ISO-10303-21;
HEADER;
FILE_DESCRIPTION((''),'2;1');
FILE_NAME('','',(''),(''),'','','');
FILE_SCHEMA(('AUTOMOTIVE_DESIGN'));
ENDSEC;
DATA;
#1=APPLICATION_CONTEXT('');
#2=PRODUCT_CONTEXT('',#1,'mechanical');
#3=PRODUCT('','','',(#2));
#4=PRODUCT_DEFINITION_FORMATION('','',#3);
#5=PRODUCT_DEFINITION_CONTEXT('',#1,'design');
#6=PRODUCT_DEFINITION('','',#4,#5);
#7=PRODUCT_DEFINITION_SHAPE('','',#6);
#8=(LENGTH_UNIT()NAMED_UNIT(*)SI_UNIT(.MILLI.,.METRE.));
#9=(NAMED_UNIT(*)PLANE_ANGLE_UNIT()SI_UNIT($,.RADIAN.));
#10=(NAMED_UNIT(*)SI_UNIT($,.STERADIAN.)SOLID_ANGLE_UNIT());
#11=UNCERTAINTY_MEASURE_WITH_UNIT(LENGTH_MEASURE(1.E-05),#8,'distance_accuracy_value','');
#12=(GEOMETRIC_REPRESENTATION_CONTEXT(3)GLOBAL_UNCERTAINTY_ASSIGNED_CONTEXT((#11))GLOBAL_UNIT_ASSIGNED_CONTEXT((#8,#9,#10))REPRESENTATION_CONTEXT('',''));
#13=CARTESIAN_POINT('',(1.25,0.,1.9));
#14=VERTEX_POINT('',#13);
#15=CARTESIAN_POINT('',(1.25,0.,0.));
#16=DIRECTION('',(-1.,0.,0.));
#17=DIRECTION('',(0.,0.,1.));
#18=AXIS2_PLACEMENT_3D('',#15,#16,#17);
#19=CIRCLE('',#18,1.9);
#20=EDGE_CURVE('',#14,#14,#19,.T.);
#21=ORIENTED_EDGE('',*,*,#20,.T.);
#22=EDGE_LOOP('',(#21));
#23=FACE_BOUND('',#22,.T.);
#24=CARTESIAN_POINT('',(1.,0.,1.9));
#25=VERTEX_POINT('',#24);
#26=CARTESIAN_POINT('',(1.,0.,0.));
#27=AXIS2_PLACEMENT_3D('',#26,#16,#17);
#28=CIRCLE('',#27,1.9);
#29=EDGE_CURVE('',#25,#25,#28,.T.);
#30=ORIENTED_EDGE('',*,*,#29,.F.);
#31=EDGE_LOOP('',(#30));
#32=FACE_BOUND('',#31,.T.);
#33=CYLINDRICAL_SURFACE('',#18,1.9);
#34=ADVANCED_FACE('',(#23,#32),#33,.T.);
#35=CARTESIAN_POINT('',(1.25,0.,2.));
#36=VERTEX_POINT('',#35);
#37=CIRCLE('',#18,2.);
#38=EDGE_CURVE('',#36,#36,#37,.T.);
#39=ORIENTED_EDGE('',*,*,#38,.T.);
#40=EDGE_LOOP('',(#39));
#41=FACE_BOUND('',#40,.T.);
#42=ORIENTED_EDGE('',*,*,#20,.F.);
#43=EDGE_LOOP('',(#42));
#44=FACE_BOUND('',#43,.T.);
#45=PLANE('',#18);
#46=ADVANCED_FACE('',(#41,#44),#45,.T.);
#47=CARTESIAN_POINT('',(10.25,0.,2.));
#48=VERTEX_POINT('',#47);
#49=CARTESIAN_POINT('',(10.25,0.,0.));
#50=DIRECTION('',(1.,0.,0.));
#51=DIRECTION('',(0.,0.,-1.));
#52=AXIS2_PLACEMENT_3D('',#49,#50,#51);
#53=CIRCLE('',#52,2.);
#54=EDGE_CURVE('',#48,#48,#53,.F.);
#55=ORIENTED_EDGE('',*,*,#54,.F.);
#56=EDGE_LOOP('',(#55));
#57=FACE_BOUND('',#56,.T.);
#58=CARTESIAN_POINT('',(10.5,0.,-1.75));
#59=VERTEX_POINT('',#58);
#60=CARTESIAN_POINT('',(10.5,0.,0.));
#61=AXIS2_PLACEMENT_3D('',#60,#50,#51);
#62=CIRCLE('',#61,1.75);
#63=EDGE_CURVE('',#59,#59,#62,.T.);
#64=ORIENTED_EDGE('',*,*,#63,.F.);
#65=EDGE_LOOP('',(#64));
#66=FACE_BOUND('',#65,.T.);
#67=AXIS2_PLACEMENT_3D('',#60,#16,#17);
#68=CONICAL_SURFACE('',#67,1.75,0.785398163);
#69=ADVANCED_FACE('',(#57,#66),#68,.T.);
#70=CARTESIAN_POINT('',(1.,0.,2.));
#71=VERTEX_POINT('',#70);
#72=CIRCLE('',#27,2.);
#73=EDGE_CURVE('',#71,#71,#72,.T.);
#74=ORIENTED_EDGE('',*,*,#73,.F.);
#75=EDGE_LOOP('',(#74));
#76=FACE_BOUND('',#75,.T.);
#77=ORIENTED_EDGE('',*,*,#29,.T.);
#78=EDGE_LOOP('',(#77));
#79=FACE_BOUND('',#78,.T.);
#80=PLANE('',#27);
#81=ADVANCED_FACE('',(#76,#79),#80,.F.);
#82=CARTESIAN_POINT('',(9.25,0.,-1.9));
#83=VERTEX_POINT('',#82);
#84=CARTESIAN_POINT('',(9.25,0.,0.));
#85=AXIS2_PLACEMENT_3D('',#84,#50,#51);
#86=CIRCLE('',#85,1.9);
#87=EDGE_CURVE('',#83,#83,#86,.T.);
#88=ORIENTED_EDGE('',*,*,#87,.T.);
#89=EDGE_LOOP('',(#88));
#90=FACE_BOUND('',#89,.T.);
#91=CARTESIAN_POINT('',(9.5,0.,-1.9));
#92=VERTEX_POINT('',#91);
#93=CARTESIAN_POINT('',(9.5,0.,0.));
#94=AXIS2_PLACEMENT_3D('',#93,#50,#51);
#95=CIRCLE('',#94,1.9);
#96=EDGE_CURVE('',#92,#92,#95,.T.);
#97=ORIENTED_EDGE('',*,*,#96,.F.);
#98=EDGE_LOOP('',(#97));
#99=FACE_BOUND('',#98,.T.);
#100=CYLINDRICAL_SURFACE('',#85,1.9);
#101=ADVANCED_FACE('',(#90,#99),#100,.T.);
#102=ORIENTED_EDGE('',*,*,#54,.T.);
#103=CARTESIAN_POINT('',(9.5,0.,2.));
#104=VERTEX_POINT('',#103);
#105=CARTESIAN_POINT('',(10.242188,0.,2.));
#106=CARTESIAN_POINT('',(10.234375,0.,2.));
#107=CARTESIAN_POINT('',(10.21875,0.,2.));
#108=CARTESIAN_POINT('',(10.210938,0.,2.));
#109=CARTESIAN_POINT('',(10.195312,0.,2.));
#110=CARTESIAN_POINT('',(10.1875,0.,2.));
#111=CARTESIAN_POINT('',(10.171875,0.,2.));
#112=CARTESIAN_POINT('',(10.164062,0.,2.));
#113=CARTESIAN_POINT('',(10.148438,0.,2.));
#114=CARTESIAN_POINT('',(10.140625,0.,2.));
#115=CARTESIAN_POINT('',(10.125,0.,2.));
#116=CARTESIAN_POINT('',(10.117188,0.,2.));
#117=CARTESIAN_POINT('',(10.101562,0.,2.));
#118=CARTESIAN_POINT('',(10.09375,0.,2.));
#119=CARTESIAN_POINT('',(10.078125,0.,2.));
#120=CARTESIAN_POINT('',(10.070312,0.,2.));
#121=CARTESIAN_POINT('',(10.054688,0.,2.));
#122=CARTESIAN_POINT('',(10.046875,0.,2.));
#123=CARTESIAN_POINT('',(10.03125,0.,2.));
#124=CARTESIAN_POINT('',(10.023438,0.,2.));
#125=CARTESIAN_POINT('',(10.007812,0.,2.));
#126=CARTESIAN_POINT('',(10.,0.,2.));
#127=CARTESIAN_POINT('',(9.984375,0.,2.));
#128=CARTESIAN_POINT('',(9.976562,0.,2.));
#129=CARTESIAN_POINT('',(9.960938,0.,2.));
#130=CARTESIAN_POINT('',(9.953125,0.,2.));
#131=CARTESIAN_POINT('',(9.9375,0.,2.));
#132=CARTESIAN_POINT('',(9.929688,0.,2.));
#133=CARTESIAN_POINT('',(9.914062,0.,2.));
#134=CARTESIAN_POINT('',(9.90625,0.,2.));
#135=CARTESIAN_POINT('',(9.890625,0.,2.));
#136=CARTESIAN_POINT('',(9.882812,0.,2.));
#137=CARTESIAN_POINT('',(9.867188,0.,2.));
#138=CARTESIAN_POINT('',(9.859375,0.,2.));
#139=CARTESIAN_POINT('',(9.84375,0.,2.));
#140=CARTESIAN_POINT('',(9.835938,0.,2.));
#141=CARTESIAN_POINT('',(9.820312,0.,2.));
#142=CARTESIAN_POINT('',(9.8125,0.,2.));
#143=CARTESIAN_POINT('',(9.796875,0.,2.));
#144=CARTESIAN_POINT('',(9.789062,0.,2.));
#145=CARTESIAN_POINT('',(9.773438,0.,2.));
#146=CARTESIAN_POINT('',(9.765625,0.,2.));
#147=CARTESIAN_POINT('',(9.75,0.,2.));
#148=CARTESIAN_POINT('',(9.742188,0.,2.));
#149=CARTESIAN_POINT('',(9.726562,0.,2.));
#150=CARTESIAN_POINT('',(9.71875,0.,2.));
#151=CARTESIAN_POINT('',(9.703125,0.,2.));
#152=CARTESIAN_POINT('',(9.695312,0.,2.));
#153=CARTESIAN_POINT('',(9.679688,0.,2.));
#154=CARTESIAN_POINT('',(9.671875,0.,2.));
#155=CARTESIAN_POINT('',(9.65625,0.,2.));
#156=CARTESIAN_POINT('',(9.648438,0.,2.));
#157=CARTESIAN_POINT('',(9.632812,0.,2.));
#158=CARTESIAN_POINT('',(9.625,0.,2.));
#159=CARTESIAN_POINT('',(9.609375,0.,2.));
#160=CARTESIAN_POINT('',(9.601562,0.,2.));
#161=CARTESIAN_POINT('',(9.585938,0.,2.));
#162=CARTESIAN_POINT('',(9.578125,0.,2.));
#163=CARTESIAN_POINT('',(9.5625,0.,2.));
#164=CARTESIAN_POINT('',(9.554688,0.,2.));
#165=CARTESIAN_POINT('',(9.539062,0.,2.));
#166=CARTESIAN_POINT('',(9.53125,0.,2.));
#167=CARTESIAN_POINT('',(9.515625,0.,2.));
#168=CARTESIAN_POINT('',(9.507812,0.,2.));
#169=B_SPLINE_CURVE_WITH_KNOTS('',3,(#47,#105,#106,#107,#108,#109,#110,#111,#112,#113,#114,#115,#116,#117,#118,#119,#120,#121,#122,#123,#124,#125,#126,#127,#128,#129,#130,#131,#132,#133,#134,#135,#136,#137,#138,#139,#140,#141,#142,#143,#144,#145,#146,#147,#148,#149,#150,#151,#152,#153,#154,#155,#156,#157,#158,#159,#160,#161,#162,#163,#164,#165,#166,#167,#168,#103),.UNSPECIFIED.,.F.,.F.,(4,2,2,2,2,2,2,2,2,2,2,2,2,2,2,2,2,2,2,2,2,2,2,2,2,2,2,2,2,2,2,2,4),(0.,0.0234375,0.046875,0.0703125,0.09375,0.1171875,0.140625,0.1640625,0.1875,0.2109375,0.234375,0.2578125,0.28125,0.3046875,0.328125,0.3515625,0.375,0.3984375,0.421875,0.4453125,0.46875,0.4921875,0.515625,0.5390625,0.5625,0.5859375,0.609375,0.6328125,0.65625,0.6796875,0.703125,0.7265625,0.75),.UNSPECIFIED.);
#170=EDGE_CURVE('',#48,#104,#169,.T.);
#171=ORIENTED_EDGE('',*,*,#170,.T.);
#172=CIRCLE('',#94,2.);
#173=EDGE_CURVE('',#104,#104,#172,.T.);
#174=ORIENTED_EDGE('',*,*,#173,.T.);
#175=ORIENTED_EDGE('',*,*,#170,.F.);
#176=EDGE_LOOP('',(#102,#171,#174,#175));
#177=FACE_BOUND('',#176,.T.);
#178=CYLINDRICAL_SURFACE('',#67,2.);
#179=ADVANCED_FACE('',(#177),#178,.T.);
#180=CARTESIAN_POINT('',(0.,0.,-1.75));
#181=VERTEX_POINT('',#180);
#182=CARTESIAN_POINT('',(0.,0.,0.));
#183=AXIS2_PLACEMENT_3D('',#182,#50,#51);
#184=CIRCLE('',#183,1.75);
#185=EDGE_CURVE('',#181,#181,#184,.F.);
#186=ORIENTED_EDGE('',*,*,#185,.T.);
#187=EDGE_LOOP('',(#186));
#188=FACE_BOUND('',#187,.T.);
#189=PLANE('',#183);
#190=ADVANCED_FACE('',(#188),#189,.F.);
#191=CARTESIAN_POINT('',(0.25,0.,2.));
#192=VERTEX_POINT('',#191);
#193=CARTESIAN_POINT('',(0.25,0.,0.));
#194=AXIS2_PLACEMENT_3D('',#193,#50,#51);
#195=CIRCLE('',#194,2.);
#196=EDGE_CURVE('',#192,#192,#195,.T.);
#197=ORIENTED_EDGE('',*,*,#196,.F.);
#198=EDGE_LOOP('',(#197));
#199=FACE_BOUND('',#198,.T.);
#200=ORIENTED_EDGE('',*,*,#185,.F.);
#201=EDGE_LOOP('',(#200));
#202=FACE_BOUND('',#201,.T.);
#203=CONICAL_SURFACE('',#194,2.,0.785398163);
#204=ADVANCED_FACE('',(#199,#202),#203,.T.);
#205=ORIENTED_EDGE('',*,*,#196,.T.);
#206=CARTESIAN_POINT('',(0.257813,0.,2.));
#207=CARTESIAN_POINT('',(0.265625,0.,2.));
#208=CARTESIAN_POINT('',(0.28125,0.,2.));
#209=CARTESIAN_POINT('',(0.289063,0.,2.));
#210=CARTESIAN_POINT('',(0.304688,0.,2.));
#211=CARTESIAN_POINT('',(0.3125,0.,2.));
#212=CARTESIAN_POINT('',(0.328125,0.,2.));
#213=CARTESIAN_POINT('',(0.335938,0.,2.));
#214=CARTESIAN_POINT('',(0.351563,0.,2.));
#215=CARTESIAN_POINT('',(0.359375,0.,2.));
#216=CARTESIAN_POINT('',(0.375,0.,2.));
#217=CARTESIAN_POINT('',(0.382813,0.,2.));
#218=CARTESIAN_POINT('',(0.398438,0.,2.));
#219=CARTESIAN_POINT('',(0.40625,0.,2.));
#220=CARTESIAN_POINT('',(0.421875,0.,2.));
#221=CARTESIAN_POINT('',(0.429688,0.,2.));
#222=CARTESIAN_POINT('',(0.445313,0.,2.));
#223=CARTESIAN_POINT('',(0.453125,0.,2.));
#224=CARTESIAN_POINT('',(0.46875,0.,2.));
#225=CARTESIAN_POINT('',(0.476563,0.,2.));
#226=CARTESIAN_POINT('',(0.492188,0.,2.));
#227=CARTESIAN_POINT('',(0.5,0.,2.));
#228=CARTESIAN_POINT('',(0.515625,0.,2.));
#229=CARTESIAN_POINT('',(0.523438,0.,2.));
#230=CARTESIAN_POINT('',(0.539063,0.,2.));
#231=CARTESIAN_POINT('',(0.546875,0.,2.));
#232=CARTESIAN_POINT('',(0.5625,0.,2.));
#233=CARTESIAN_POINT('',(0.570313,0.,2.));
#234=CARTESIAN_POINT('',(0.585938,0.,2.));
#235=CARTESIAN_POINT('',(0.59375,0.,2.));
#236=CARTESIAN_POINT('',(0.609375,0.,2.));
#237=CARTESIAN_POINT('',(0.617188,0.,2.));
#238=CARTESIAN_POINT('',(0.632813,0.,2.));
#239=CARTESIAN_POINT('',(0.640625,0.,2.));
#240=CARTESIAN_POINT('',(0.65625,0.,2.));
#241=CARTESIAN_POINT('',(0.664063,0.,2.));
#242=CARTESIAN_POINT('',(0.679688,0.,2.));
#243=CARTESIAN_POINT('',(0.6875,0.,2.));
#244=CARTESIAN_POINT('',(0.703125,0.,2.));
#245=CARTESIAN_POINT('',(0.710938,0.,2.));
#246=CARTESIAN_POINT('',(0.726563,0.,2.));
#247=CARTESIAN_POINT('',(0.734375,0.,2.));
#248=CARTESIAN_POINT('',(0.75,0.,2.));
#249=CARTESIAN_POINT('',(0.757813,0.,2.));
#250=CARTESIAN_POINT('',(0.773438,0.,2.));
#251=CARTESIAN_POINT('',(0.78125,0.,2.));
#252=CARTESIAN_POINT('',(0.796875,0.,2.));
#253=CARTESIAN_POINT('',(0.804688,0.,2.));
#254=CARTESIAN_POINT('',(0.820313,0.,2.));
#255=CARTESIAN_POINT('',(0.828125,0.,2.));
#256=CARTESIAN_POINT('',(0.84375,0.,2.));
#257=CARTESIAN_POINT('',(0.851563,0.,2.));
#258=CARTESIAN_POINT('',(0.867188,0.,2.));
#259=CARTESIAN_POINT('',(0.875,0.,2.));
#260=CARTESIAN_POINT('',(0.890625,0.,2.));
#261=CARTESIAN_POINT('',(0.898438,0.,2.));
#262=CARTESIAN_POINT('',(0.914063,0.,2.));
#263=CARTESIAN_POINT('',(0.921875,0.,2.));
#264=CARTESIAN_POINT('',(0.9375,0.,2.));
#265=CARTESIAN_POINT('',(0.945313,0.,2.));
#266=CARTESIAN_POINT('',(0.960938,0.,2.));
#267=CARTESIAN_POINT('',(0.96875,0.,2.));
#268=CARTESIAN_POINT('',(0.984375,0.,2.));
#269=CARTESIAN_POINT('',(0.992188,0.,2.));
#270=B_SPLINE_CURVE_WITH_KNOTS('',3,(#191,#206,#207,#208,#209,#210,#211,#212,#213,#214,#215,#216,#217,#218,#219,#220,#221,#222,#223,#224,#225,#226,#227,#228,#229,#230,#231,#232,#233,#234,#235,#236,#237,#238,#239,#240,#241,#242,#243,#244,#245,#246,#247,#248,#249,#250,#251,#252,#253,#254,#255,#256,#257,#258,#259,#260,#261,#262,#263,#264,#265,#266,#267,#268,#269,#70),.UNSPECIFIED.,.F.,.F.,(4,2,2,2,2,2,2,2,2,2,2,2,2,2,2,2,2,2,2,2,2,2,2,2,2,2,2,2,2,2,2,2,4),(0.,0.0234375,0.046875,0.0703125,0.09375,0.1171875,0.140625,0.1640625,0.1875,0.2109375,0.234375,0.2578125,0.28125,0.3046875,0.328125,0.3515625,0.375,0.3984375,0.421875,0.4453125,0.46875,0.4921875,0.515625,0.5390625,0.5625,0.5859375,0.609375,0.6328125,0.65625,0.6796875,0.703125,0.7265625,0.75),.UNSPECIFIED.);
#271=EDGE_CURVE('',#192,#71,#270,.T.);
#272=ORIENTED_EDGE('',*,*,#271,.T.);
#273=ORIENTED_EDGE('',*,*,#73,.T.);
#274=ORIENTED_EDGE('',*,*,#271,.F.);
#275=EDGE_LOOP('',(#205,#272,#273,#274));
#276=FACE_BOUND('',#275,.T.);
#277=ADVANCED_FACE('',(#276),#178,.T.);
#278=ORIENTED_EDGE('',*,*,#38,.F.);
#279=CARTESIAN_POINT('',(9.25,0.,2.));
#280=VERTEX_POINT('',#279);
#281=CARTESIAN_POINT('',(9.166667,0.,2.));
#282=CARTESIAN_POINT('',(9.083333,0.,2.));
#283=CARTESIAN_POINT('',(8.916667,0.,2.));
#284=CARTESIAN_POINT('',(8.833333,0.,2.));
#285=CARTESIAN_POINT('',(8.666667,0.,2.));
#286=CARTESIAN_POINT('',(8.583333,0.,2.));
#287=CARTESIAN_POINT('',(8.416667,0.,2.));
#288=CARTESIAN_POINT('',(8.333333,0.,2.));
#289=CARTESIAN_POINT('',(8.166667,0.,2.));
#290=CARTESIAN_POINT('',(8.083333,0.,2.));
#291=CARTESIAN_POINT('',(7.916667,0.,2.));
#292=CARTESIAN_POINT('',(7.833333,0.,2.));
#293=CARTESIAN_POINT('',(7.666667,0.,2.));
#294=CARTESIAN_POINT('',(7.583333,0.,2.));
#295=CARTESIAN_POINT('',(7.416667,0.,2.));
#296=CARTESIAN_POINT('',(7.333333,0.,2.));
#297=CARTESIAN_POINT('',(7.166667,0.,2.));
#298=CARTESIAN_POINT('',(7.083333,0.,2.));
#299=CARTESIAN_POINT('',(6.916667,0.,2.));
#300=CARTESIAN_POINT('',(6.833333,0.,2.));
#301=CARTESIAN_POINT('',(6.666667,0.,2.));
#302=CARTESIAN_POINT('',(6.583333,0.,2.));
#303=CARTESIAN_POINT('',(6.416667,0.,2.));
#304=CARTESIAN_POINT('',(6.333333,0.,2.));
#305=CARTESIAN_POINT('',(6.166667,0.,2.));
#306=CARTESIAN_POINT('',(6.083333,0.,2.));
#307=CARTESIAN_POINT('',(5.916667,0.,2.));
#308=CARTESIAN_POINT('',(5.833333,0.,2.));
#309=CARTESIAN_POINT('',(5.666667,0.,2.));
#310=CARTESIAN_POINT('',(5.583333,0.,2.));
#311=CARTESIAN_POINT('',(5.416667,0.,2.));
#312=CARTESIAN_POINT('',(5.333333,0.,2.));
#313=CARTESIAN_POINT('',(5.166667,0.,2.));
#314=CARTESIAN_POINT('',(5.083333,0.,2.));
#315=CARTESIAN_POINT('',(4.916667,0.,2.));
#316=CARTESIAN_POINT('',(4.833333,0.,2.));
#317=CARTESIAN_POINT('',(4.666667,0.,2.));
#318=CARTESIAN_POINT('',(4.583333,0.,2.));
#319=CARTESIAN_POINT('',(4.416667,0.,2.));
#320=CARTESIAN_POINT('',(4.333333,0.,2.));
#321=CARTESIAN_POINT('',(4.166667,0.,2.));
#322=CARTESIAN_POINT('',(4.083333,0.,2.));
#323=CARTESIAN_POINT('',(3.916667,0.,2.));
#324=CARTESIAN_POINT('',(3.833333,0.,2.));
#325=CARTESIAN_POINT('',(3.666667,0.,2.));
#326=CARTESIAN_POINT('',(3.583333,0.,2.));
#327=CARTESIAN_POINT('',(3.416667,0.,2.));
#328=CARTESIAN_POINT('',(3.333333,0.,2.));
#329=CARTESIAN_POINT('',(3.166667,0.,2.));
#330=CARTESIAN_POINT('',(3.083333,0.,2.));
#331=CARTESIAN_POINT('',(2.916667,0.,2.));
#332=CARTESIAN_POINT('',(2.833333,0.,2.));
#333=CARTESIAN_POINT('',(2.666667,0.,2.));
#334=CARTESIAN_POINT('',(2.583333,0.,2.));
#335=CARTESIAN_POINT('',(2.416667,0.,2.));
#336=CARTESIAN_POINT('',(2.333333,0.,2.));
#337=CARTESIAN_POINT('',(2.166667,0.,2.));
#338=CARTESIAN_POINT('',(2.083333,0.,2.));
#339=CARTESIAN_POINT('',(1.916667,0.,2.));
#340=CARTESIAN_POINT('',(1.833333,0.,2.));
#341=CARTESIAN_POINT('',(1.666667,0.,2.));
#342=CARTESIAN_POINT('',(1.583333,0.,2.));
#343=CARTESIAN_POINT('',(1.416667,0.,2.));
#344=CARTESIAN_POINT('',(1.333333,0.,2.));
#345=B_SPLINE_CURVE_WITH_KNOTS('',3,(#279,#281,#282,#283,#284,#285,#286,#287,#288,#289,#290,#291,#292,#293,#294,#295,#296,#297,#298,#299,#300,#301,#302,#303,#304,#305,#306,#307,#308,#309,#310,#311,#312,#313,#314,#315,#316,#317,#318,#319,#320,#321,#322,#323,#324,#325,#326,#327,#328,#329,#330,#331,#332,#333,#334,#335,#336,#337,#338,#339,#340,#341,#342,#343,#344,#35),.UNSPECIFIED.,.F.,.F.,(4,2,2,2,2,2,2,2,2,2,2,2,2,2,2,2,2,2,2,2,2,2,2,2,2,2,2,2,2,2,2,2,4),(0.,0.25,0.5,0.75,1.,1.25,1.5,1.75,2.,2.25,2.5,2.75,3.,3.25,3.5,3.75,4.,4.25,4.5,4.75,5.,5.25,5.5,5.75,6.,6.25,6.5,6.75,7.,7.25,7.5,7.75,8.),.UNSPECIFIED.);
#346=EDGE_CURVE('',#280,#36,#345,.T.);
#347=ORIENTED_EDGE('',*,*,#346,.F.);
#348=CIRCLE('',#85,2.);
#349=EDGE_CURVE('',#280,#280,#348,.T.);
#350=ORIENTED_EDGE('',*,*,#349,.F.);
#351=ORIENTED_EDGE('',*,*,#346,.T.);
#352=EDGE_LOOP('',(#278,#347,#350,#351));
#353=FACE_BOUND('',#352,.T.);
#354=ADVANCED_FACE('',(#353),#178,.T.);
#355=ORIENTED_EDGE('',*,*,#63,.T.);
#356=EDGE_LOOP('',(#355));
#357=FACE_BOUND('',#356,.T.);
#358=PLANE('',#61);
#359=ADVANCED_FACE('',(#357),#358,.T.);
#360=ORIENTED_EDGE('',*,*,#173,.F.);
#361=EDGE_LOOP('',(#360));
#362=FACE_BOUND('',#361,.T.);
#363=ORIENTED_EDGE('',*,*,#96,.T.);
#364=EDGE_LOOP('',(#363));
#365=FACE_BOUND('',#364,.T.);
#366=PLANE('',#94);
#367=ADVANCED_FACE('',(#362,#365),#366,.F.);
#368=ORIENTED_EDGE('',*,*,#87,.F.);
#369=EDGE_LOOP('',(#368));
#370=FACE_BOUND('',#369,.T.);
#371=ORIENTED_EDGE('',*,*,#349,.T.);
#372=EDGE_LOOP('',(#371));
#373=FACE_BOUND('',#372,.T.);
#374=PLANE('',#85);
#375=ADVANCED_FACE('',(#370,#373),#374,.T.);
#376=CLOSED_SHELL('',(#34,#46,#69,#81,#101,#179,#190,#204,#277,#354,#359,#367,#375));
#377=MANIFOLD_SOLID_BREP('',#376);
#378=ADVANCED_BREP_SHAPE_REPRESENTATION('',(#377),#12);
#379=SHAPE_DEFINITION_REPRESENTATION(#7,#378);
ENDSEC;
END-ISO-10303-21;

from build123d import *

# Parameters (mm, degrees)
SKETCH1_R           = 2
BOSS_EXTRUDE1_DEPTH = 10.5
CUT_EXTRUDE2_START  = -1
SKETCH2_R           = 2.498108329
SKETCH2_R_2         = 1.9
CUT_EXTRUDE2_DEPTH  = 0.25
CUT_EXTRUDE3_START  = -1.25
SKETCH3_R           = 2.5
SKETCH3_R_2         = 1.9
CUT_EXTRUDE3_DEPTH  = 0.25
CHAMFER1_SIZE       = 0.25


with BuildPart() as part:
    # Sketch1 → Boss-Extrude1 (new body)
    with BuildSketch(Plane(origin=(0, 0, 0), x_dir=(0, 0, -1), z_dir=(1, 0, 0))):
        with Locations(Location((0, 0, 0), (0, 0, 180))):
            Circle(SKETCH1_R)
    extrude(amount=BOSS_EXTRUDE1_DEPTH)

    # Sketch2 → Cut-Extrude2 (cut)
    with BuildSketch(Plane(origin=(10.5, 0, 0), x_dir=(0, 0, -1), z_dir=(1, 0, 0)).offset(CUT_EXTRUDE2_START)):
        Circle(SKETCH2_R)
        Circle(SKETCH2_R_2, mode=Mode.SUBTRACT)
    extrude(amount=-CUT_EXTRUDE2_DEPTH, mode=Mode.SUBTRACT)

    # Sketch3 → Cut-Extrude3 (cut)
    with BuildSketch(Plane.ZY.offset(CUT_EXTRUDE3_START)):
        Circle(SKETCH3_R)
        with Locations(Location((0, 0, 0), (0, 0, 180))):
            Circle(SKETCH3_R_2, mode=Mode.SUBTRACT)
    extrude(amount=CUT_EXTRUDE3_DEPTH, mode=Mode.SUBTRACT)

    # Chamfer1
    chamfer1_edges = [part.edges().sort_by_distance(p)[0] for p in [
        (0, 0, -2),
        (10.5, 0, -2),
    ]]
    chamfer(chamfer1_edges, length=CHAMFER1_SIZE)


solid = part.part
